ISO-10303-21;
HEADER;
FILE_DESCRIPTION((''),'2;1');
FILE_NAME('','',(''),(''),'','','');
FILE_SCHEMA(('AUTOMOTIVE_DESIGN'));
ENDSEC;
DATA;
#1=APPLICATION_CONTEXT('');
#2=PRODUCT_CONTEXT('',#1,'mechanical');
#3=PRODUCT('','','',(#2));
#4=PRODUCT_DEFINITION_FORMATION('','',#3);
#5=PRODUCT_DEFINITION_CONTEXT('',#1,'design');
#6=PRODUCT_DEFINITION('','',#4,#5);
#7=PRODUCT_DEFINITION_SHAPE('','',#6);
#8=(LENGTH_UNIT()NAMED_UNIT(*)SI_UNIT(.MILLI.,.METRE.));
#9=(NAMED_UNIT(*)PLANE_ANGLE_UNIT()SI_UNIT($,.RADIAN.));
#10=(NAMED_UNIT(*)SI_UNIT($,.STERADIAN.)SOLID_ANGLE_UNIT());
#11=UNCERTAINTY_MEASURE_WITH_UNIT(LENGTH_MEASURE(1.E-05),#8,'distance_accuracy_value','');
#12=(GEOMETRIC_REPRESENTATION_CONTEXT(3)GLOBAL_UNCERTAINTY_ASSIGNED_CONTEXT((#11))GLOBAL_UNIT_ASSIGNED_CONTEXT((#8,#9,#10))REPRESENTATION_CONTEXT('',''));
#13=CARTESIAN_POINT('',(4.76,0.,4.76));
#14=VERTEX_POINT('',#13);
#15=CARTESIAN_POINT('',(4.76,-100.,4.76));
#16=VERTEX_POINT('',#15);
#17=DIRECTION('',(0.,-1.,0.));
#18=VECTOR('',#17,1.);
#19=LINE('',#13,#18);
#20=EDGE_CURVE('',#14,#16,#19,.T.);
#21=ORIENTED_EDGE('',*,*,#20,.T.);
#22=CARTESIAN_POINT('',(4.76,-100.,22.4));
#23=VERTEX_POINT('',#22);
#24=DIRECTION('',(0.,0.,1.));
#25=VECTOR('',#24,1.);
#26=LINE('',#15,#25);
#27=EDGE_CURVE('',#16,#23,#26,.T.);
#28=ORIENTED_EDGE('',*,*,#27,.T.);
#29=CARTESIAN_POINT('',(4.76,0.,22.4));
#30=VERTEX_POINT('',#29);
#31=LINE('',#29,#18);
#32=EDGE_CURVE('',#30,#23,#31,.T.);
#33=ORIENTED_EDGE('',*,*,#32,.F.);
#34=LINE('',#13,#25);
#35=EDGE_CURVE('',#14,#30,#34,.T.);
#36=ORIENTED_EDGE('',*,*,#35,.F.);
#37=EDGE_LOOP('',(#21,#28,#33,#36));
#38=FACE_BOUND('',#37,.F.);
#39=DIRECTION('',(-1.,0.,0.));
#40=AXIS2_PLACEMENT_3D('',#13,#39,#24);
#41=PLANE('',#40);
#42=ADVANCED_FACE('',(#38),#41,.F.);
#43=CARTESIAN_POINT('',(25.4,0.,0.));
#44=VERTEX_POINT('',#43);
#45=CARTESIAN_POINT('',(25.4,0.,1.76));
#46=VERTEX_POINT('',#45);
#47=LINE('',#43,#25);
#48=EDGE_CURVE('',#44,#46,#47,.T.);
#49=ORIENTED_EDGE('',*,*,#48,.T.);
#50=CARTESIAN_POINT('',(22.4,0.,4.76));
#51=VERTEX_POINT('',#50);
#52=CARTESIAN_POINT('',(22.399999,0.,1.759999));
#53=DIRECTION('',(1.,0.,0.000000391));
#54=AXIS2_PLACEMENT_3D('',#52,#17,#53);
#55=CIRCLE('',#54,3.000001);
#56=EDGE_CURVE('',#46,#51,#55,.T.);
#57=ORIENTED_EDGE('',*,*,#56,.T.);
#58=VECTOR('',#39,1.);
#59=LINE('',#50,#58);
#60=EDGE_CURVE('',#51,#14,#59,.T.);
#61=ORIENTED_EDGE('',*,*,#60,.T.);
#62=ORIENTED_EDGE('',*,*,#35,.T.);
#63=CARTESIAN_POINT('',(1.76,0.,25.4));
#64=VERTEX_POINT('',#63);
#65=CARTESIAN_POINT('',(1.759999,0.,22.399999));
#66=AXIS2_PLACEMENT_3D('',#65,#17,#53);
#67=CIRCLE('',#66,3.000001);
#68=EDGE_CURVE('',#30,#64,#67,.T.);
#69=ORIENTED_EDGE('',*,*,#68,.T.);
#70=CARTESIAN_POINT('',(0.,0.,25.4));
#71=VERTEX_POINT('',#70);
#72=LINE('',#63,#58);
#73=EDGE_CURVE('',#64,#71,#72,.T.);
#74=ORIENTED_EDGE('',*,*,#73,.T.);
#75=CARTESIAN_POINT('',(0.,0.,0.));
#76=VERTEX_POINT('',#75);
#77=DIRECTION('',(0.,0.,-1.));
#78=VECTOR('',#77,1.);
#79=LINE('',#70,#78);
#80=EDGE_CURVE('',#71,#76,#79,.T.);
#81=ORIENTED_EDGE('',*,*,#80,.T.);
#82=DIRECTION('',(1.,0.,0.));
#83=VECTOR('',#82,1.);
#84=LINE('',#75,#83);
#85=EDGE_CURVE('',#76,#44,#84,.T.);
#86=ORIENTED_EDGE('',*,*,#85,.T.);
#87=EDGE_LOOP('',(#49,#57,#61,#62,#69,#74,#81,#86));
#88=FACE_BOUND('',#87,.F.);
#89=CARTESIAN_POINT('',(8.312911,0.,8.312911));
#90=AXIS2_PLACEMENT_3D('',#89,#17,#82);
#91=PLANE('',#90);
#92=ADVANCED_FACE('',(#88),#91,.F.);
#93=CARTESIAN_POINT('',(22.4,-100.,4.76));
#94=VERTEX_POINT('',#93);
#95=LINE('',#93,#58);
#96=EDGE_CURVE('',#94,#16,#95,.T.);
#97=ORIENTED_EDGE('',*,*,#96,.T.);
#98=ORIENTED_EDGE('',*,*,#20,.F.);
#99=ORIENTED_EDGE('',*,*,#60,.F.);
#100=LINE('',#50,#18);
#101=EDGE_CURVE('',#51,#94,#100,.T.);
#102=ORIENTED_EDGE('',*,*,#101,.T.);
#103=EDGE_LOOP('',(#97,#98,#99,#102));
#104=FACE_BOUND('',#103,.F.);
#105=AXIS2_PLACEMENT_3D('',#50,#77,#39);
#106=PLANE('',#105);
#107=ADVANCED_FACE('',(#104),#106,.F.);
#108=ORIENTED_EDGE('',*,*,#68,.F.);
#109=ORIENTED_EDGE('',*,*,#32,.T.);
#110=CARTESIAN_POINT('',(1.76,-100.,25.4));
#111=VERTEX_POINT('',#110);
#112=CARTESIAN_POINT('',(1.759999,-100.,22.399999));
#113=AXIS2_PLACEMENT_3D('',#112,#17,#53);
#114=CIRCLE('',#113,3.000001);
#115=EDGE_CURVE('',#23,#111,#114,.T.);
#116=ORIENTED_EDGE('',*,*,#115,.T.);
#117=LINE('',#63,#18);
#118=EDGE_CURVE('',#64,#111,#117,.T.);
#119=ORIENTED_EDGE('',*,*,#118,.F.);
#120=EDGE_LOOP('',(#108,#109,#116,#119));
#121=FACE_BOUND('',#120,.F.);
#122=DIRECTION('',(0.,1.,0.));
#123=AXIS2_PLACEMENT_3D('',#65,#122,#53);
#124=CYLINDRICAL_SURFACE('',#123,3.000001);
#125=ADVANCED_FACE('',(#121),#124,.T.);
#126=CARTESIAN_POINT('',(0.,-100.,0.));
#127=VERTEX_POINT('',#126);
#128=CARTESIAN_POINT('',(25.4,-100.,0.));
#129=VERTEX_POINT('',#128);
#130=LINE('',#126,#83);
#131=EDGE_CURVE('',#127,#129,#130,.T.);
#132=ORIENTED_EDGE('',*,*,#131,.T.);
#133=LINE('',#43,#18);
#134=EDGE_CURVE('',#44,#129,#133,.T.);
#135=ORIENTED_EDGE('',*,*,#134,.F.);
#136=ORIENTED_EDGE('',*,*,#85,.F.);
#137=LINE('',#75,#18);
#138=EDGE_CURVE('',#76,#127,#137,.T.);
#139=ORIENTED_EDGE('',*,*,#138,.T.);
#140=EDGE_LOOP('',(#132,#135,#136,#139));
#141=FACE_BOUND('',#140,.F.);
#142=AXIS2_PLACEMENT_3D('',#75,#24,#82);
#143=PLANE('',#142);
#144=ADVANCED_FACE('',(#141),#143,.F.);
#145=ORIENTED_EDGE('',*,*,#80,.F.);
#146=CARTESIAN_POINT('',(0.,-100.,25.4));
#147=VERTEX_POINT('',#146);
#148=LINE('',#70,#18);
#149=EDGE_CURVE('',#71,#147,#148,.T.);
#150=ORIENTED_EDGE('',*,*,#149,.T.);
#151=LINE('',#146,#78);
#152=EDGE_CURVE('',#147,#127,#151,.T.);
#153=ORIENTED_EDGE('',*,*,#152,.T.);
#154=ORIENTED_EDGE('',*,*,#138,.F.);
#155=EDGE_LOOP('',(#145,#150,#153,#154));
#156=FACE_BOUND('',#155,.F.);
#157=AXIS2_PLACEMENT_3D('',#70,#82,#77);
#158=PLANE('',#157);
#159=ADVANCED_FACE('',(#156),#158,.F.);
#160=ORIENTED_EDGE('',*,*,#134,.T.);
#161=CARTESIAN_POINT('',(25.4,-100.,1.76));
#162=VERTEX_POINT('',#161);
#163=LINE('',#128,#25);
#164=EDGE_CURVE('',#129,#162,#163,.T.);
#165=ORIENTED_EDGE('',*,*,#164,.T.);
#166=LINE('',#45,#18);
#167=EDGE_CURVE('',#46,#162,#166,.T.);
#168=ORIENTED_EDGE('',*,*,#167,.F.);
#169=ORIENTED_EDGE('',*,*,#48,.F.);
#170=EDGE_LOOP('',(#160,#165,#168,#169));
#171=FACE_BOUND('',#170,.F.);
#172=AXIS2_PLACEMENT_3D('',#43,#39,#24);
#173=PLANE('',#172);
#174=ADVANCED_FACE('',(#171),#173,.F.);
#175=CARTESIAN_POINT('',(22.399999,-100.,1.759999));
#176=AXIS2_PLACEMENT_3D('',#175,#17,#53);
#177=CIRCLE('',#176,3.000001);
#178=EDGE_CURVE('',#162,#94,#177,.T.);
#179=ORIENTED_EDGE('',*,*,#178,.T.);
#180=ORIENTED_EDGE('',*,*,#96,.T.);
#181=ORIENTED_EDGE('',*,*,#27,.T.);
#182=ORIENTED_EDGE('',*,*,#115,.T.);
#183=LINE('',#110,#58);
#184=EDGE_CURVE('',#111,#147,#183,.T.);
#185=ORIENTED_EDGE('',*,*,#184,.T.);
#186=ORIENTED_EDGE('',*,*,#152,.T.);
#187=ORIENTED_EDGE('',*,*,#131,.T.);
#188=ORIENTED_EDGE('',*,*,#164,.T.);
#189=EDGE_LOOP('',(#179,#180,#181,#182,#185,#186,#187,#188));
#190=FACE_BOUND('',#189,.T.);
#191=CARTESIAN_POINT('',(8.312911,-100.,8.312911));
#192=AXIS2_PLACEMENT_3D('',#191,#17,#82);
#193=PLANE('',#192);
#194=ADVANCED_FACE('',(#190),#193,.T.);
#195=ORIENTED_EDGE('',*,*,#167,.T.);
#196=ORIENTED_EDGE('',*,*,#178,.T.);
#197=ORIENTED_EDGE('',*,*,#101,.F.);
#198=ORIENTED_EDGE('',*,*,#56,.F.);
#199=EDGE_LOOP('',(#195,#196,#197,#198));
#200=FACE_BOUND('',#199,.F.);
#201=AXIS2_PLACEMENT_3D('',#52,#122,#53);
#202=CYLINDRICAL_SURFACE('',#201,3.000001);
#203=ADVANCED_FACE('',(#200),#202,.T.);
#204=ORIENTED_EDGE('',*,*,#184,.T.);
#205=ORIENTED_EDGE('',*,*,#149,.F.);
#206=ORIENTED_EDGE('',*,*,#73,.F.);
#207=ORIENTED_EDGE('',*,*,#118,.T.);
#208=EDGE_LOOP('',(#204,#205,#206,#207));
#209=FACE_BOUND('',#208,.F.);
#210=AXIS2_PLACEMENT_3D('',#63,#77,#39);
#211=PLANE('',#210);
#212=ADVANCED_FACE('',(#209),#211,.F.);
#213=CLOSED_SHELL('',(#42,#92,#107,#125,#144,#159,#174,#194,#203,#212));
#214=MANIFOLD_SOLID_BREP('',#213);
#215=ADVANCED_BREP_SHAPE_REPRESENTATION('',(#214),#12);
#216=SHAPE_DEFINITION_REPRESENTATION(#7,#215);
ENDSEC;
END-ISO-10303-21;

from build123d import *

# Parameters (mm, degrees)
F1_DEPTH = 100


with BuildPart() as f1:
    # F0 (on Front) → F1 (new body)
    with BuildSketch(Plane.XZ):
        with BuildLine():
            Line((0, 25.4), (0, 0))
            Line((0, 0), (25.4, 0))
            Line((25.4, 0), (25.4, 1.76))
            ThreePointArc((25.4, 1.76), (24.52132, 3.88132), (22.4, 4.76))
            Line((22.4, 4.76), (4.76, 4.76))
            Line((4.76, 4.76), (4.76, 22.4))
            ThreePointArc((4.76, 22.4), (3.88132, 24.52132), (1.76, 25.4))
            Line((1.76, 25.4), (0, 25.4))
        make_face()
    extrude(amount=F1_DEPTH)


solid = f1.part
